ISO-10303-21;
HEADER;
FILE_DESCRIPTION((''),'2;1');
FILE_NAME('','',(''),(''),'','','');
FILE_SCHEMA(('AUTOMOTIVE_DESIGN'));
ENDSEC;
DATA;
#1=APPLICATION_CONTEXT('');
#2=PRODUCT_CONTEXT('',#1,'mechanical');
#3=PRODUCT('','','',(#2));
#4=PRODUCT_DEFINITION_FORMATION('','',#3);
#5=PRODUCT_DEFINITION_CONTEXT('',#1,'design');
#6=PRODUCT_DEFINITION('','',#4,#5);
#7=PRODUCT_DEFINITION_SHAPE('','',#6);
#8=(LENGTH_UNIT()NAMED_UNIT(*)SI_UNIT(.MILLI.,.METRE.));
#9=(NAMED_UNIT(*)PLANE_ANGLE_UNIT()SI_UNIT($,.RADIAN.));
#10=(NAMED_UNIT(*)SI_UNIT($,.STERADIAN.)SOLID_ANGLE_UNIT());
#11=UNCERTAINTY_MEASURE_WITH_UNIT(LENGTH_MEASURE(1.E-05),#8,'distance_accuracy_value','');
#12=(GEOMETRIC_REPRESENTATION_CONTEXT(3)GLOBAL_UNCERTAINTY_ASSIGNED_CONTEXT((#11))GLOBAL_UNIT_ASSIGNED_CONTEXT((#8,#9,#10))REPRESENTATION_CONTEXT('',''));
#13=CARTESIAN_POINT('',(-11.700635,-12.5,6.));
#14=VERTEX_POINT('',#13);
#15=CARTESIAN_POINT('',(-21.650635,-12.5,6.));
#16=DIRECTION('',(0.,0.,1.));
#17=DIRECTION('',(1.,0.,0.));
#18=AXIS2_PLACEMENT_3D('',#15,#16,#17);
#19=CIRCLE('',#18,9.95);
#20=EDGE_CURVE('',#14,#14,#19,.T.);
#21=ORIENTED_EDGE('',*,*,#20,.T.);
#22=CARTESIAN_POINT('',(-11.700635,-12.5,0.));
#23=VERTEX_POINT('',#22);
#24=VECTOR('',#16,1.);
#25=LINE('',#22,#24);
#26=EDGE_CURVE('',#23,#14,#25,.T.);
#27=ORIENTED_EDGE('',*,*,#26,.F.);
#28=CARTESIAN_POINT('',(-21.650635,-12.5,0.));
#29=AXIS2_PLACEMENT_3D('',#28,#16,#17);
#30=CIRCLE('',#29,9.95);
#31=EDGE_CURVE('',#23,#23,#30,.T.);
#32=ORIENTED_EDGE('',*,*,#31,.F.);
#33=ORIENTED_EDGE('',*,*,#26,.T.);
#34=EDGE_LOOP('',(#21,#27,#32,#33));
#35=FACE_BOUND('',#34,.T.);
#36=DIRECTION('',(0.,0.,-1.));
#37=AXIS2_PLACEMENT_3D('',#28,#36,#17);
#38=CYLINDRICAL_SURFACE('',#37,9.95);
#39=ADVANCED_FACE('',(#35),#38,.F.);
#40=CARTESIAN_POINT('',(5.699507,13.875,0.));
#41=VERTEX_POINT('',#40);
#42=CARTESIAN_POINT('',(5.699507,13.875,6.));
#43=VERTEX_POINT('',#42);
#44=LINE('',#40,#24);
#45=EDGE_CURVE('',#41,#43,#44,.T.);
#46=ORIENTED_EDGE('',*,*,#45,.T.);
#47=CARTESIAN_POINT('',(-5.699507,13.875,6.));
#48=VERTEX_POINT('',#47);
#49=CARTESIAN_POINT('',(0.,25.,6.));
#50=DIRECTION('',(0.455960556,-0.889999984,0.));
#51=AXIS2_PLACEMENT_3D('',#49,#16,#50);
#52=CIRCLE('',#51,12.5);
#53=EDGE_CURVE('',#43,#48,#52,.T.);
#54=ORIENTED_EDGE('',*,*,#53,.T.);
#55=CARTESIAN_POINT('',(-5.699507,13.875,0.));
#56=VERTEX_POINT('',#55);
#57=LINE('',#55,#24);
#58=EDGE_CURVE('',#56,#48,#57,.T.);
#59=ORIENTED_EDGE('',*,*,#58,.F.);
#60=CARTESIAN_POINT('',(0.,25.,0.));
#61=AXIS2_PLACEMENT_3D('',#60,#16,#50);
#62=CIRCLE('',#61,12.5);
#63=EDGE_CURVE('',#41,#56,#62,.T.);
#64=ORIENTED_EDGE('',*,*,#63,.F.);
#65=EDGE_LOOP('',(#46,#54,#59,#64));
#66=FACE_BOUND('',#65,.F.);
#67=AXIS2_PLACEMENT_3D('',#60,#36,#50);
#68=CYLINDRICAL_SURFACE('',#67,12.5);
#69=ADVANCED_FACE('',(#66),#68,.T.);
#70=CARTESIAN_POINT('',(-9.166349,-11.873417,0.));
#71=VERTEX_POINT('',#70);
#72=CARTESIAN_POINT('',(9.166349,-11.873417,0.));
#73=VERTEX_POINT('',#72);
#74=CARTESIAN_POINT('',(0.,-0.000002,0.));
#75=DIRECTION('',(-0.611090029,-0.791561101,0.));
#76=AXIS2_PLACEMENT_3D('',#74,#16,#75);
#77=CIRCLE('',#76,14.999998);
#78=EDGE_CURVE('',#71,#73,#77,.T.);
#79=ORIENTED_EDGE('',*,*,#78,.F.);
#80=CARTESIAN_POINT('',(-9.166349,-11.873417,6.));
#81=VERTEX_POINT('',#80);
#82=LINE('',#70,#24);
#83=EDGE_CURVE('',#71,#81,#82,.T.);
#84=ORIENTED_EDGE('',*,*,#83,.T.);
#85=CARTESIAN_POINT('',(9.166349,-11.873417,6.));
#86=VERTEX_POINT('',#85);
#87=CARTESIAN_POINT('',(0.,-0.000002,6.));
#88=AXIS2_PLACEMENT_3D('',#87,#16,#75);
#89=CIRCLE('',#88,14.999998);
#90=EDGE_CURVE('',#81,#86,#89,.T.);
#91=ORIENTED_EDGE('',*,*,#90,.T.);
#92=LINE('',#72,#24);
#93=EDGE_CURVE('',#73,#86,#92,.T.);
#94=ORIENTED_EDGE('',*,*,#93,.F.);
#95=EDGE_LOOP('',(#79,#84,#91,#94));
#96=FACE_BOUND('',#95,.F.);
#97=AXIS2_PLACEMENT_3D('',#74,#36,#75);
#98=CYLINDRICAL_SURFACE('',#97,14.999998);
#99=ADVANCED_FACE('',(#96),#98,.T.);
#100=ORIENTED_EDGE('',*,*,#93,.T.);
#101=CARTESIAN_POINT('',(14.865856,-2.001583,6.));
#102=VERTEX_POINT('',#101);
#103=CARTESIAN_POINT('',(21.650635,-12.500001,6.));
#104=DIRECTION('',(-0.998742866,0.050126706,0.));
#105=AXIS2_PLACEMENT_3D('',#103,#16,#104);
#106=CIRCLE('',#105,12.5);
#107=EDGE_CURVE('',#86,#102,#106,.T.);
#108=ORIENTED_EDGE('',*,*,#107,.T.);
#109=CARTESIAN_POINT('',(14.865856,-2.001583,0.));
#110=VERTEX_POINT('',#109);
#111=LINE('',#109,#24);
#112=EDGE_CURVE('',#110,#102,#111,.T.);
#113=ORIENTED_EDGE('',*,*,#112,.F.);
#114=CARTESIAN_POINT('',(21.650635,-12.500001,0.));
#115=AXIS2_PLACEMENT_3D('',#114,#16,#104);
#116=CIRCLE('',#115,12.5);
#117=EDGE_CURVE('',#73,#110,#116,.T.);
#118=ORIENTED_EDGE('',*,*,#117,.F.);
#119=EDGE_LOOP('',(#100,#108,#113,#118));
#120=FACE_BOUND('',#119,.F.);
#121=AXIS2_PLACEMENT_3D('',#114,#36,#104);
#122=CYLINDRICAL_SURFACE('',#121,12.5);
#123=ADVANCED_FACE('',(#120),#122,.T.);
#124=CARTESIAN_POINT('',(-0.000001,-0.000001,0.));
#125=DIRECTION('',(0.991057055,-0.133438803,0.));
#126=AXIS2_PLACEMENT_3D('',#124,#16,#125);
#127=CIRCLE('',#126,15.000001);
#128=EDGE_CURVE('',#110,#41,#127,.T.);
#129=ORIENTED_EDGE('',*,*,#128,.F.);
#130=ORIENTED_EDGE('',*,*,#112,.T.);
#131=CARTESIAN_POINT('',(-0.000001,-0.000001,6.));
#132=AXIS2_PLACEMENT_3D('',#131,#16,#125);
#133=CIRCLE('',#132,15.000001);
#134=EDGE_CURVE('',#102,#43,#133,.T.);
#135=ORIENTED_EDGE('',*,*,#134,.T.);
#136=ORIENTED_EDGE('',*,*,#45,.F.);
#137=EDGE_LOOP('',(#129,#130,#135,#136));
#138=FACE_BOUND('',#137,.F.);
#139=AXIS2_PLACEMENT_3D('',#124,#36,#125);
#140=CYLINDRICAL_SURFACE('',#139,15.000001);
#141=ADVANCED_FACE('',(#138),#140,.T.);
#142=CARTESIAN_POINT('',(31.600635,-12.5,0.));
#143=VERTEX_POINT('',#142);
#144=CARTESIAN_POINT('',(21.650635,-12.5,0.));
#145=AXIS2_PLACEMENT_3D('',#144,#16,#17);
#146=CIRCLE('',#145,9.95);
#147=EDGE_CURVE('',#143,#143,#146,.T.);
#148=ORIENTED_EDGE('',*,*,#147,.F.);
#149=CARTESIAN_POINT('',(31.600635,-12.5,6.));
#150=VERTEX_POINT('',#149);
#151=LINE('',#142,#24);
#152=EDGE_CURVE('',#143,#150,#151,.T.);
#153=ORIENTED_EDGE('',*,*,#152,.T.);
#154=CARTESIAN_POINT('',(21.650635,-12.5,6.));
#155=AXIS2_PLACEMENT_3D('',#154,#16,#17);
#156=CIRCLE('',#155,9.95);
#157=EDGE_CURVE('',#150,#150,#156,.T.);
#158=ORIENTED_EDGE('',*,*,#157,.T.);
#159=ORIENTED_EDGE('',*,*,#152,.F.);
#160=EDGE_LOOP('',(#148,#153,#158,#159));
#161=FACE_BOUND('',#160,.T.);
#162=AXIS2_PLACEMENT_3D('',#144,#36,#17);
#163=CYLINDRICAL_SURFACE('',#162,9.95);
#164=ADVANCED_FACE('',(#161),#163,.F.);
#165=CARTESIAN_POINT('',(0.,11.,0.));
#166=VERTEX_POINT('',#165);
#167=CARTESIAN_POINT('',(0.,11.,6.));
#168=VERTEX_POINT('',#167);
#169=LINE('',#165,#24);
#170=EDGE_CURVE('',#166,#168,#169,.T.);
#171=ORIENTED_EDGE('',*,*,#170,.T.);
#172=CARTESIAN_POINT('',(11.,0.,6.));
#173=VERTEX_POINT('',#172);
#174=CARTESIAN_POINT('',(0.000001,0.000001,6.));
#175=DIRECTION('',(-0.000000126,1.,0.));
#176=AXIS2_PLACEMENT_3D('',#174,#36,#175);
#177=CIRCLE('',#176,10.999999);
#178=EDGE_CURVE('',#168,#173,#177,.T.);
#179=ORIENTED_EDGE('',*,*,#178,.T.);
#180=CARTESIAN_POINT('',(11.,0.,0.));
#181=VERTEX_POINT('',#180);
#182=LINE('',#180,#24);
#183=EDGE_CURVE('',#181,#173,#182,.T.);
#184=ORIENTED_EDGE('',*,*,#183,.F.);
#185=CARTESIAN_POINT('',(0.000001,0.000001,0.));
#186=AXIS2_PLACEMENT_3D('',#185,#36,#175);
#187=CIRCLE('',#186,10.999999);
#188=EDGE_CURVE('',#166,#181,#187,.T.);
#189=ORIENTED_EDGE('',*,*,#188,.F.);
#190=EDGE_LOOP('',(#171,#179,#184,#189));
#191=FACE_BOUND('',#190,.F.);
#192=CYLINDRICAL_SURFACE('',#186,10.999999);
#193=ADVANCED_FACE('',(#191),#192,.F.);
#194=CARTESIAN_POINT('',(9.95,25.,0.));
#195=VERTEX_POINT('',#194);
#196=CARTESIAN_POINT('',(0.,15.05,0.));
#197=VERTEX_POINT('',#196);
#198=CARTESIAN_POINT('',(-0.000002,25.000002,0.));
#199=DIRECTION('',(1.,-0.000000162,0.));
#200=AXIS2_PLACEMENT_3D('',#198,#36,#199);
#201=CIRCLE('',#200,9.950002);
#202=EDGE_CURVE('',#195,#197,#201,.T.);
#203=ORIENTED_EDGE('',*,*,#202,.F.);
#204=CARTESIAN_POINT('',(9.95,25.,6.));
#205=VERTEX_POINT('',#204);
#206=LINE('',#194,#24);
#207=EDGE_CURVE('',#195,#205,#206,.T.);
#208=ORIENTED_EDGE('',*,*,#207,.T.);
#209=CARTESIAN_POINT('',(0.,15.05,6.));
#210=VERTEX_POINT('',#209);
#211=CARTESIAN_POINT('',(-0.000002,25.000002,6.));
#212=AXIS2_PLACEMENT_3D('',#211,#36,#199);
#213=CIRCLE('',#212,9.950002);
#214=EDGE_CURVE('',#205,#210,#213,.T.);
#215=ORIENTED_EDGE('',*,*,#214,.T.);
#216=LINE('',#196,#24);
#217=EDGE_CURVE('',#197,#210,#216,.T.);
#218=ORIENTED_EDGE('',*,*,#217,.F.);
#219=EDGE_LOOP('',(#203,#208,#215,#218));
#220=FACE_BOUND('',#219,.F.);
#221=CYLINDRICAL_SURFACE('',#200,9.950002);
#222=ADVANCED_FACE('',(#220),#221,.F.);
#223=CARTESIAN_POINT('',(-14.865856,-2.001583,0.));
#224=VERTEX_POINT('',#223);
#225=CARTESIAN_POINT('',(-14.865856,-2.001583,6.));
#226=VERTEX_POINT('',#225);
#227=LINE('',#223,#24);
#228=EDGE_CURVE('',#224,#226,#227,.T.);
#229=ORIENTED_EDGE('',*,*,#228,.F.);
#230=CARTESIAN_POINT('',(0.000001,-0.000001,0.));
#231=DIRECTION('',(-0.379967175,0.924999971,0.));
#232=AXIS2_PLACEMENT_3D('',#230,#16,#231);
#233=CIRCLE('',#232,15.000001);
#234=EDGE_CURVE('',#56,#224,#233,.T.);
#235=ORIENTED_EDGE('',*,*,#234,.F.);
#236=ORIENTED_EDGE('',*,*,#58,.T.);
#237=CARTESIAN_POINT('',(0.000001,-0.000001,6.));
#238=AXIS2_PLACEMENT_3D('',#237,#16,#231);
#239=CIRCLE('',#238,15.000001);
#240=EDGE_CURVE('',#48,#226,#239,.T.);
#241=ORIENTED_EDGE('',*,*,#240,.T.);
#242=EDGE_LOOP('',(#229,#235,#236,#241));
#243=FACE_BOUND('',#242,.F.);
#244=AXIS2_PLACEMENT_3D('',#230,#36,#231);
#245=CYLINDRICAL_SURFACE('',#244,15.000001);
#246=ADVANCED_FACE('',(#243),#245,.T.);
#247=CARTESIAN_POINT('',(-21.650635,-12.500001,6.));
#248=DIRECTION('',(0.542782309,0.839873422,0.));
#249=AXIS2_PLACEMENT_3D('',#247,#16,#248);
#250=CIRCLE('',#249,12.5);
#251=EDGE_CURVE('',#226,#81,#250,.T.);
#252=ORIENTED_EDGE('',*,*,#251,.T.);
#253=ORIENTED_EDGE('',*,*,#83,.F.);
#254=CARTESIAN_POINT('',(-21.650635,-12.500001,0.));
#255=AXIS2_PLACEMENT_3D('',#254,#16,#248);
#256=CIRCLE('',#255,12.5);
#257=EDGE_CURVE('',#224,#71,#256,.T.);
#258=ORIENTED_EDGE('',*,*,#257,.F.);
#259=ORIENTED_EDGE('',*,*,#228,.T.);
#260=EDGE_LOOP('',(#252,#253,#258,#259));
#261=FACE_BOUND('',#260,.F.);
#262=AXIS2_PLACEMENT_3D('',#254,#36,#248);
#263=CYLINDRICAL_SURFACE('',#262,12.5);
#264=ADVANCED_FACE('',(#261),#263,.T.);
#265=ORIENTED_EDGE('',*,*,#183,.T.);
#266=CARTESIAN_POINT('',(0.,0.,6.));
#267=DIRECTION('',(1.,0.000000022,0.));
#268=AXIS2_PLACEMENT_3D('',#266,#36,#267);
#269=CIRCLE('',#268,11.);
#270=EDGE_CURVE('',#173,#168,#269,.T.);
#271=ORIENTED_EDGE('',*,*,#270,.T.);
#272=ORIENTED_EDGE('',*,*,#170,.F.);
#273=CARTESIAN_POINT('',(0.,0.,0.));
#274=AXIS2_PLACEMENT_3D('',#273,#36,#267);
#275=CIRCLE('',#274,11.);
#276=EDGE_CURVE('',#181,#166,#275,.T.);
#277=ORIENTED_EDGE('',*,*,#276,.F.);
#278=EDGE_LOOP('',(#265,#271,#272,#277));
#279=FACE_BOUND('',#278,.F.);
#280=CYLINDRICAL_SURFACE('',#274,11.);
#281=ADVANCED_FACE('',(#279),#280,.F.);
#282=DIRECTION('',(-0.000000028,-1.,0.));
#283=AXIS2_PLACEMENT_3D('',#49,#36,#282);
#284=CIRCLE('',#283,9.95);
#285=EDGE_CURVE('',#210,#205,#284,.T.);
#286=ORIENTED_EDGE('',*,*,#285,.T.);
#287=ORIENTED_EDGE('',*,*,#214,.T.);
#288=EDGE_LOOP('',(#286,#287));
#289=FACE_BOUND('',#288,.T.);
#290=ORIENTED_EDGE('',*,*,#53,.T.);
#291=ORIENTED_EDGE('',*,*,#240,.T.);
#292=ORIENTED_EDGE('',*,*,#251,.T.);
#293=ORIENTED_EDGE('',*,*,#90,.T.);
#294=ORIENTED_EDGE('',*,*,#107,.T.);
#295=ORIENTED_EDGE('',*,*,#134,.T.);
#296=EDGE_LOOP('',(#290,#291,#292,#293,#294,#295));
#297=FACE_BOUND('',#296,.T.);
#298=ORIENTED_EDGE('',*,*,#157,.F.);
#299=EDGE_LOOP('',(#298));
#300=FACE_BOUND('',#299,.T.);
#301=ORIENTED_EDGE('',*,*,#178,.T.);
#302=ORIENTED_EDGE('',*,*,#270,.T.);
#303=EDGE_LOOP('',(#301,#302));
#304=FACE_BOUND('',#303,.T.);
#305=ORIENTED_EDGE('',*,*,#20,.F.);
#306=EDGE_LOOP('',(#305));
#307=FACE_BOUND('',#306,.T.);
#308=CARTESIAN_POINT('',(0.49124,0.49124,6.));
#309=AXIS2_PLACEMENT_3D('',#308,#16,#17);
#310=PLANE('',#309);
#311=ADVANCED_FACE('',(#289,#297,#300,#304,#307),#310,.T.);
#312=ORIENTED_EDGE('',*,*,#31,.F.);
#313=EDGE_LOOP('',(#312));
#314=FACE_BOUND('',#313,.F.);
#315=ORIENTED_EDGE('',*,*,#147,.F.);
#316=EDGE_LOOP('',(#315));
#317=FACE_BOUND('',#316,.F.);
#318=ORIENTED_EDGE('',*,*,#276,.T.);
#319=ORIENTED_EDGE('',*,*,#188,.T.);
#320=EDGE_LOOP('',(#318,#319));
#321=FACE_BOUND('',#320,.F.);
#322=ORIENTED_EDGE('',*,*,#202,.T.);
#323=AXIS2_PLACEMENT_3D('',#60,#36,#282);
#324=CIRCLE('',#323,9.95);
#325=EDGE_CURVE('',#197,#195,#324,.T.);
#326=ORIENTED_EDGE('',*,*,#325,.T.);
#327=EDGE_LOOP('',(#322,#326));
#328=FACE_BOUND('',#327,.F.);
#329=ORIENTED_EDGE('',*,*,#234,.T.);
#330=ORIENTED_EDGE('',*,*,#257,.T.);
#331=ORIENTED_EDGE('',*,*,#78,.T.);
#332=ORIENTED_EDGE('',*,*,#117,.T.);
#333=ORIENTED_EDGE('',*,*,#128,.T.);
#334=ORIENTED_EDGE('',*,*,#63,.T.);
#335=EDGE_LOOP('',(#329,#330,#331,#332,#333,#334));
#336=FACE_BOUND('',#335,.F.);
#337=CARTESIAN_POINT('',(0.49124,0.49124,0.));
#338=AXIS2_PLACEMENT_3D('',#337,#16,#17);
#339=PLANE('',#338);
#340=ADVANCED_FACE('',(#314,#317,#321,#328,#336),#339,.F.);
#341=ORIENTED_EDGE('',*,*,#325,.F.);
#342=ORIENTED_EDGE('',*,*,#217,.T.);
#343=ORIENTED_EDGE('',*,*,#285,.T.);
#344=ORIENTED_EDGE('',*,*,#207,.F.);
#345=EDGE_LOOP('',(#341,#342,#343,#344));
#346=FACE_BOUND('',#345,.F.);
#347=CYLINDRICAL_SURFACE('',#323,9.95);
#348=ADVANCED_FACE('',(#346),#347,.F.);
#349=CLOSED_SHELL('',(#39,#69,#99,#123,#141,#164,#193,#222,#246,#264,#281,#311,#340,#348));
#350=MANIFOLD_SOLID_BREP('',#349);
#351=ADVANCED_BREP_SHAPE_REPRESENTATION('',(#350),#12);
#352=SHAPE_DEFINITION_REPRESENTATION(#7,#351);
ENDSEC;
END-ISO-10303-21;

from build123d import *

# Parameters (mm, degrees)
F0_R     = 9.95
F1_DEPTH = 6


with BuildPart() as f1:
    # F0 (on Top) → F1 (new body)
    with BuildSketch(Plane.XY):
        with BuildLine():
            ThreePointArc((0, 11), (-7.778175, -7.778175), (11, 0))
            ThreePointArc((11, 0), (7.778175, 7.778175), (0, 11))
        make_face()
        with BuildLine():
            ThreePointArc((9.166349, -11.873417), (32.475953, -18.75), (14.865856, -2.001583))
            ThreePointArc((14.865856, -2.001583), (12.990381, 7.5), (5.699507, 13.875))
            ThreePointArc((5.699507, 13.875), (0, 37.5), (-5.699507, 13.875))
            ThreePointArc((-5.699507, 13.875), (-12.990381, 7.5), (-14.865856, -2.001583))
            ThreePointArc((-14.865856, -2.001583), (-32.475953, -18.75), (-9.166349, -11.873417))
            ThreePointArc((-9.166349, -11.873417), (0, -15), (9.166349, -11.873417))
        make_face()
        with Locations((-21.650635, -12.5)):
            Circle(F0_R, mode=Mode.SUBTRACT)
        with Locations((21.650635, -12.5)):
            Circle(F0_R, mode=Mode.SUBTRACT)
        with BuildLine():
            ThreePointArc((0, 11), (7.778175, 7.778175), (11, 0))
            ThreePointArc((11, 0), (-7.778175, -7.778175), (0, 11))
        make_face(mode=Mode.SUBTRACT)
        with BuildLine():
            ThreePointArc((9.95, 25), (7.035712, 17.964288), (0, 15.05))
            ThreePointArc((0, 15.05), (-7.035712, 32.035712), (9.95, 25))
        make_face(mode=Mode.SUBTRACT)
    extrude(amount=F1_DEPTH)


solid = f1.part
